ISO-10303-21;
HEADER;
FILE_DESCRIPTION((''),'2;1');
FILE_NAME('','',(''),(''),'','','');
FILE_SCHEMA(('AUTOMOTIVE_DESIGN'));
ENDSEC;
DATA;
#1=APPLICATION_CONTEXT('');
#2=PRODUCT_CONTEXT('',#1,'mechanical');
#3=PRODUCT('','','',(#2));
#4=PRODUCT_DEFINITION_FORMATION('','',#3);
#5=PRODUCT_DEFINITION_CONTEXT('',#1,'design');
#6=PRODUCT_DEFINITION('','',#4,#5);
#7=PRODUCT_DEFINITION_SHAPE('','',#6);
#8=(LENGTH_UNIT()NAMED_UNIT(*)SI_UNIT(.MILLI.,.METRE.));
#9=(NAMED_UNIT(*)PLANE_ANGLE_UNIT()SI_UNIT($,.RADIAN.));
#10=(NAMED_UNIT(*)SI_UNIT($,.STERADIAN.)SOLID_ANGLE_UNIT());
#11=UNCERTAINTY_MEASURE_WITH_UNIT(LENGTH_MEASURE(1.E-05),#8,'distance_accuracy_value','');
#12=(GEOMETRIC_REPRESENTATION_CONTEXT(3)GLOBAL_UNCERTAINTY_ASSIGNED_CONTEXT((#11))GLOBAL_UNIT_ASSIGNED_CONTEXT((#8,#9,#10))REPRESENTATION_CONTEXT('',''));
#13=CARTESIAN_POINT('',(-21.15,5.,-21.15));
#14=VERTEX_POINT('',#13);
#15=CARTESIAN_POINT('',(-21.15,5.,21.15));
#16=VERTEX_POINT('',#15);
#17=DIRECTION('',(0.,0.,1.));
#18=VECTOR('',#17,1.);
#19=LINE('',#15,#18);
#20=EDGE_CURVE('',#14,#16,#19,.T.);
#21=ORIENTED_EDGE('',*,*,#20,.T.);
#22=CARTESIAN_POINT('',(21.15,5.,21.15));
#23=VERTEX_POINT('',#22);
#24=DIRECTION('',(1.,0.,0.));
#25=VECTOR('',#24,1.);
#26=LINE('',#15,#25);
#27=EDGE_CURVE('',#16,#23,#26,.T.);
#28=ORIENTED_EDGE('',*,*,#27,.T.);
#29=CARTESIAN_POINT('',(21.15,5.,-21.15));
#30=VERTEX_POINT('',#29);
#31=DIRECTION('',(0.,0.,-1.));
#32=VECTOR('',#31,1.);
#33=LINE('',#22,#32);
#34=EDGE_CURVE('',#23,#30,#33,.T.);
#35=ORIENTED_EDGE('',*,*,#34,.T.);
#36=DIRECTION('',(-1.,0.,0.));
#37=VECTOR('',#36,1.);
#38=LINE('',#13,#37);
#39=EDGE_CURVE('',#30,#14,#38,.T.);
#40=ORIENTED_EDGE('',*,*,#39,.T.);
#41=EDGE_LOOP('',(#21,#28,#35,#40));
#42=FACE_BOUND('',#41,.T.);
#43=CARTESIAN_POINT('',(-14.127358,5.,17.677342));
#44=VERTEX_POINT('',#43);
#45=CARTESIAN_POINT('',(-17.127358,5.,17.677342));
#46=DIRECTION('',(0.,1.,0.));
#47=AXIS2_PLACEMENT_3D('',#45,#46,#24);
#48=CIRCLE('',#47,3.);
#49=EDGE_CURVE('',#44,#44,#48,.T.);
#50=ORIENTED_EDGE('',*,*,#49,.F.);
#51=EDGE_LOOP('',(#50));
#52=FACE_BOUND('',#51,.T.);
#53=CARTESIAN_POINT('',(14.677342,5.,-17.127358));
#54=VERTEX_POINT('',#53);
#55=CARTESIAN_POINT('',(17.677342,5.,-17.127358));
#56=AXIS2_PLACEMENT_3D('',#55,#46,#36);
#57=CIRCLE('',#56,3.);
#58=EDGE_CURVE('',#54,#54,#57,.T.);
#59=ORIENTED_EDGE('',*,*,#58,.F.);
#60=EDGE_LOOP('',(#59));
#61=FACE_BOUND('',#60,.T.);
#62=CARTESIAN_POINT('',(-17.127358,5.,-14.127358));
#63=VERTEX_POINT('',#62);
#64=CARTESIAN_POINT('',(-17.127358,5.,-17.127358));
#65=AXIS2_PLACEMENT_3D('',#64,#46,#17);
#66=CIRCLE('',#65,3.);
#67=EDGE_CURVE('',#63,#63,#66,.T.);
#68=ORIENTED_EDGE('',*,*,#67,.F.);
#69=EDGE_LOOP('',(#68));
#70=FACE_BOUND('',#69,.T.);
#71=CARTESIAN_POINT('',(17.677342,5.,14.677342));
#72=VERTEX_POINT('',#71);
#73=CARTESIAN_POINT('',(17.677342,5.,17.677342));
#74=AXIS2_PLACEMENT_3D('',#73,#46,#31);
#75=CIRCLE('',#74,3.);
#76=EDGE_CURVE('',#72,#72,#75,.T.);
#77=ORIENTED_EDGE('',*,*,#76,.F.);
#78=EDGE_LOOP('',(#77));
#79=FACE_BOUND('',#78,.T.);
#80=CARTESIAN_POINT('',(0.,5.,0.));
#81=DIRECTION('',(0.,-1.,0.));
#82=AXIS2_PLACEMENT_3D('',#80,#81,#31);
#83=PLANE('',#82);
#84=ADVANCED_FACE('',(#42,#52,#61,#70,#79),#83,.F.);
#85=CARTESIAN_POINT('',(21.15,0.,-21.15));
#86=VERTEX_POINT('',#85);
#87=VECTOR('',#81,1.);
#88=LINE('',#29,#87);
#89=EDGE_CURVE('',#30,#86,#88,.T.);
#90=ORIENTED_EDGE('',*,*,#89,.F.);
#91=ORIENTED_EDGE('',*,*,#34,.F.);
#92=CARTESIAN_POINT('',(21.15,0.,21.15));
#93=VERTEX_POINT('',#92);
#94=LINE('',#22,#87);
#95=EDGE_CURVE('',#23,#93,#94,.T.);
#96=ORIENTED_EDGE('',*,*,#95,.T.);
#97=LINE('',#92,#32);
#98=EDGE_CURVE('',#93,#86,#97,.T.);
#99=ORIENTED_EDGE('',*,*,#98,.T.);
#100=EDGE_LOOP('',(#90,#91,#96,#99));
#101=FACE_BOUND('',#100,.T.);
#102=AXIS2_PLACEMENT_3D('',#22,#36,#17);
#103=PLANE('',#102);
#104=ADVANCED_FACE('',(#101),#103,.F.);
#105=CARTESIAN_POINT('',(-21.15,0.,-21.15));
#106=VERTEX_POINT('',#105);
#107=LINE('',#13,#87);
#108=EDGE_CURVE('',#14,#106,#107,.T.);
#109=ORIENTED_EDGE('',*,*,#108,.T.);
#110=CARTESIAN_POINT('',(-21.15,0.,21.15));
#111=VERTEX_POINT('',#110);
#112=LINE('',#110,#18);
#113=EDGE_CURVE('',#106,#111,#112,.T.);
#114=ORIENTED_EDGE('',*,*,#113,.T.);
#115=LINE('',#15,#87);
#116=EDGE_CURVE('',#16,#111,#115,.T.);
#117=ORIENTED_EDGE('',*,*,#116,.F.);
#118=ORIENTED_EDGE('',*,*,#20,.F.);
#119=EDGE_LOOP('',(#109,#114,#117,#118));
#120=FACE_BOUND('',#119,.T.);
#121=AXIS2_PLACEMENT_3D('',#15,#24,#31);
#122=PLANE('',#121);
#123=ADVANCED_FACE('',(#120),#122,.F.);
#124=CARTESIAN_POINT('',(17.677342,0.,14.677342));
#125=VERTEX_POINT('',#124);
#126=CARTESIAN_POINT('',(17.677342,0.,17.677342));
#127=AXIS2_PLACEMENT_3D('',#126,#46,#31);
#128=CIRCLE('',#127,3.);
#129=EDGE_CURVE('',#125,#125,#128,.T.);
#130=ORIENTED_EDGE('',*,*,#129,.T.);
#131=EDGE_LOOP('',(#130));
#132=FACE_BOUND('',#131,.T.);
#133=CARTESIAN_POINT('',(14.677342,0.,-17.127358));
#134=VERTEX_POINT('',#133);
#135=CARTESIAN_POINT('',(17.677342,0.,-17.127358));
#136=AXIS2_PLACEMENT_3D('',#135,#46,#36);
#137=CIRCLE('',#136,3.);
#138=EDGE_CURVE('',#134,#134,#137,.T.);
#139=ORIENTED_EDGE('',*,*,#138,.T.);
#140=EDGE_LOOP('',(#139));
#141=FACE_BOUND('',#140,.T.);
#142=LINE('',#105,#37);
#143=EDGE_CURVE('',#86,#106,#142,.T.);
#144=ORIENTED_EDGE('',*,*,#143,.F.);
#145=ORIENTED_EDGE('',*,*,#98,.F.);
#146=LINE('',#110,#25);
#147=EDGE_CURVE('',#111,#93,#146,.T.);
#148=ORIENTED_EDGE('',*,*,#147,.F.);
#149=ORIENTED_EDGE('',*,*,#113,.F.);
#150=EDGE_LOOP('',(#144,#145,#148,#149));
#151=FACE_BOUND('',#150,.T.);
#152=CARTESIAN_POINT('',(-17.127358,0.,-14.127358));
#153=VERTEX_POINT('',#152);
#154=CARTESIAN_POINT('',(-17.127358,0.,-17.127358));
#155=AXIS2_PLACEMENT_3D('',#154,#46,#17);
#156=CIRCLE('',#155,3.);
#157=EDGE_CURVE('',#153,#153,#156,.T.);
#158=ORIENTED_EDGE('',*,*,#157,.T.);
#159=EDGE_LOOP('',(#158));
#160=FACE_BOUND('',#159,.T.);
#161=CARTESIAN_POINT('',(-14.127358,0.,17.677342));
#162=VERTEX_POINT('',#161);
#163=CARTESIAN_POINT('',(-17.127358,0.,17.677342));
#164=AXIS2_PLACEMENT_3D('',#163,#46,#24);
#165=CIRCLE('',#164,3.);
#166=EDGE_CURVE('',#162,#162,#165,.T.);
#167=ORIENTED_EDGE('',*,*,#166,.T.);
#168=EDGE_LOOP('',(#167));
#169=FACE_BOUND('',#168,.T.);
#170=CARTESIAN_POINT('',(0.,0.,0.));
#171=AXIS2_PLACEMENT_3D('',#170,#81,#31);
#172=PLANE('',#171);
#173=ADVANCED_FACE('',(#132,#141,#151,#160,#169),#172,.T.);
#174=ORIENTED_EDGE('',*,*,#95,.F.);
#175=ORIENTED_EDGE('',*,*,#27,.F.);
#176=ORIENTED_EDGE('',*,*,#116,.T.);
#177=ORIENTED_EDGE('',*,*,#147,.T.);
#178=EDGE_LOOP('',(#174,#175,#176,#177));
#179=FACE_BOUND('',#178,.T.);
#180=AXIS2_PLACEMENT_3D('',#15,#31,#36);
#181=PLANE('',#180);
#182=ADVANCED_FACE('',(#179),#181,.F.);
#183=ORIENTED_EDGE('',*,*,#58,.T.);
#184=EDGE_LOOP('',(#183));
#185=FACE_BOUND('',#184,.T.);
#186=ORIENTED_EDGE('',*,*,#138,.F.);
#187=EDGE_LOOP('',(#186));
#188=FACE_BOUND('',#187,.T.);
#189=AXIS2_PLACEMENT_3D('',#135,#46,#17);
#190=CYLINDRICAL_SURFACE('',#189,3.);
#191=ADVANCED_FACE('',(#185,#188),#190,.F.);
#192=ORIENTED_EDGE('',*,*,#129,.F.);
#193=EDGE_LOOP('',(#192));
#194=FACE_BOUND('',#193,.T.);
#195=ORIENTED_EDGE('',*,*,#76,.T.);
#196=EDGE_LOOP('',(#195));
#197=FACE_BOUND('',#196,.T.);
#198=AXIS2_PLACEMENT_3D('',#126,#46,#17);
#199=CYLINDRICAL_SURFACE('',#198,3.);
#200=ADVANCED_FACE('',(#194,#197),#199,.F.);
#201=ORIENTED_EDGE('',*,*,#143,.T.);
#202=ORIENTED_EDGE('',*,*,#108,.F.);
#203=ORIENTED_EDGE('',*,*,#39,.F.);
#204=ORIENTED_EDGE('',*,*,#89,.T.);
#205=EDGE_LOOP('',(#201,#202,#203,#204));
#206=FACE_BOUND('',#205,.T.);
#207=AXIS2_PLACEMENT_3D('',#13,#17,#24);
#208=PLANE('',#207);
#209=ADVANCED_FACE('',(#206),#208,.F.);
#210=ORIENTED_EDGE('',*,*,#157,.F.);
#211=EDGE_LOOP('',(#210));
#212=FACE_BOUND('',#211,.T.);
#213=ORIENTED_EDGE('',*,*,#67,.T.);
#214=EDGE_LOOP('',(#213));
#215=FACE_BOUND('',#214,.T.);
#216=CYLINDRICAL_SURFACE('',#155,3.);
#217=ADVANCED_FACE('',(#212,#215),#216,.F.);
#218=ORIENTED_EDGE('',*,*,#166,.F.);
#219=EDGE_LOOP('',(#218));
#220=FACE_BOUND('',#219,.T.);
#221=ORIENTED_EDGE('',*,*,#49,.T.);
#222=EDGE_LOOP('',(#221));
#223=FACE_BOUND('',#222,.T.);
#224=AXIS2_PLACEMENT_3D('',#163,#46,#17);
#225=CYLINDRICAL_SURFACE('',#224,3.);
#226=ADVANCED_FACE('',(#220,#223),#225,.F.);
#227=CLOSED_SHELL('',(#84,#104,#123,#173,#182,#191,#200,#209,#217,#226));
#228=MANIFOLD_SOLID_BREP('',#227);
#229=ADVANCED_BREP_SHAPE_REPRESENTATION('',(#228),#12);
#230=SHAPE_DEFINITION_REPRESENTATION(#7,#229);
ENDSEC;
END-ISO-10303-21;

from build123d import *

# Parameters (mm, degrees)
SKETCH1_W           = 42.3
SKETCH1_H           = 42.3
BOSS_EXTRUDE2_DEPTH = 5
SKETCH2_R           = 3
CUT_EXTRUDE1_DEPTH  = 5
CIRPATTERN1_COUNT   = 4


with BuildPart() as part:
    # Sketch1 → Boss-Extrude2 (new body)
    with BuildSketch(Plane(origin=(0, 0, 0), x_dir=(1, 0, 0), z_dir=(0, 1, 0))):
        Rectangle(SKETCH1_W, SKETCH1_H)
    extrude(amount=BOSS_EXTRUDE2_DEPTH)

    # Sketch2 → Cut-Extrude1 (cut)
    with BuildSketch(Plane(origin=(0, 5, 0), x_dir=(1, 0, 0), z_dir=(0, 1, 0))):
        with Locations(Location((-17.127358159, 17.127358159, 0), (0, 0, 270))):
            Circle(SKETCH2_R)
    cut_extrude1 = extrude(amount=-CUT_EXTRUDE1_DEPTH, mode=Mode.SUBTRACT)

    # CirPattern1: Cut-Extrude1 ×4 about axis
    cirpattern1_axis = Axis((0.274991672, 0, 0.274991672), (0, 1, 0))
    for i in range(1, CIRPATTERN1_COUNT):
        add(cut_extrude1.rotate(cirpattern1_axis, i * 360 / CIRPATTERN1_COUNT), mode=Mode.SUBTRACT)


solid = part.part
